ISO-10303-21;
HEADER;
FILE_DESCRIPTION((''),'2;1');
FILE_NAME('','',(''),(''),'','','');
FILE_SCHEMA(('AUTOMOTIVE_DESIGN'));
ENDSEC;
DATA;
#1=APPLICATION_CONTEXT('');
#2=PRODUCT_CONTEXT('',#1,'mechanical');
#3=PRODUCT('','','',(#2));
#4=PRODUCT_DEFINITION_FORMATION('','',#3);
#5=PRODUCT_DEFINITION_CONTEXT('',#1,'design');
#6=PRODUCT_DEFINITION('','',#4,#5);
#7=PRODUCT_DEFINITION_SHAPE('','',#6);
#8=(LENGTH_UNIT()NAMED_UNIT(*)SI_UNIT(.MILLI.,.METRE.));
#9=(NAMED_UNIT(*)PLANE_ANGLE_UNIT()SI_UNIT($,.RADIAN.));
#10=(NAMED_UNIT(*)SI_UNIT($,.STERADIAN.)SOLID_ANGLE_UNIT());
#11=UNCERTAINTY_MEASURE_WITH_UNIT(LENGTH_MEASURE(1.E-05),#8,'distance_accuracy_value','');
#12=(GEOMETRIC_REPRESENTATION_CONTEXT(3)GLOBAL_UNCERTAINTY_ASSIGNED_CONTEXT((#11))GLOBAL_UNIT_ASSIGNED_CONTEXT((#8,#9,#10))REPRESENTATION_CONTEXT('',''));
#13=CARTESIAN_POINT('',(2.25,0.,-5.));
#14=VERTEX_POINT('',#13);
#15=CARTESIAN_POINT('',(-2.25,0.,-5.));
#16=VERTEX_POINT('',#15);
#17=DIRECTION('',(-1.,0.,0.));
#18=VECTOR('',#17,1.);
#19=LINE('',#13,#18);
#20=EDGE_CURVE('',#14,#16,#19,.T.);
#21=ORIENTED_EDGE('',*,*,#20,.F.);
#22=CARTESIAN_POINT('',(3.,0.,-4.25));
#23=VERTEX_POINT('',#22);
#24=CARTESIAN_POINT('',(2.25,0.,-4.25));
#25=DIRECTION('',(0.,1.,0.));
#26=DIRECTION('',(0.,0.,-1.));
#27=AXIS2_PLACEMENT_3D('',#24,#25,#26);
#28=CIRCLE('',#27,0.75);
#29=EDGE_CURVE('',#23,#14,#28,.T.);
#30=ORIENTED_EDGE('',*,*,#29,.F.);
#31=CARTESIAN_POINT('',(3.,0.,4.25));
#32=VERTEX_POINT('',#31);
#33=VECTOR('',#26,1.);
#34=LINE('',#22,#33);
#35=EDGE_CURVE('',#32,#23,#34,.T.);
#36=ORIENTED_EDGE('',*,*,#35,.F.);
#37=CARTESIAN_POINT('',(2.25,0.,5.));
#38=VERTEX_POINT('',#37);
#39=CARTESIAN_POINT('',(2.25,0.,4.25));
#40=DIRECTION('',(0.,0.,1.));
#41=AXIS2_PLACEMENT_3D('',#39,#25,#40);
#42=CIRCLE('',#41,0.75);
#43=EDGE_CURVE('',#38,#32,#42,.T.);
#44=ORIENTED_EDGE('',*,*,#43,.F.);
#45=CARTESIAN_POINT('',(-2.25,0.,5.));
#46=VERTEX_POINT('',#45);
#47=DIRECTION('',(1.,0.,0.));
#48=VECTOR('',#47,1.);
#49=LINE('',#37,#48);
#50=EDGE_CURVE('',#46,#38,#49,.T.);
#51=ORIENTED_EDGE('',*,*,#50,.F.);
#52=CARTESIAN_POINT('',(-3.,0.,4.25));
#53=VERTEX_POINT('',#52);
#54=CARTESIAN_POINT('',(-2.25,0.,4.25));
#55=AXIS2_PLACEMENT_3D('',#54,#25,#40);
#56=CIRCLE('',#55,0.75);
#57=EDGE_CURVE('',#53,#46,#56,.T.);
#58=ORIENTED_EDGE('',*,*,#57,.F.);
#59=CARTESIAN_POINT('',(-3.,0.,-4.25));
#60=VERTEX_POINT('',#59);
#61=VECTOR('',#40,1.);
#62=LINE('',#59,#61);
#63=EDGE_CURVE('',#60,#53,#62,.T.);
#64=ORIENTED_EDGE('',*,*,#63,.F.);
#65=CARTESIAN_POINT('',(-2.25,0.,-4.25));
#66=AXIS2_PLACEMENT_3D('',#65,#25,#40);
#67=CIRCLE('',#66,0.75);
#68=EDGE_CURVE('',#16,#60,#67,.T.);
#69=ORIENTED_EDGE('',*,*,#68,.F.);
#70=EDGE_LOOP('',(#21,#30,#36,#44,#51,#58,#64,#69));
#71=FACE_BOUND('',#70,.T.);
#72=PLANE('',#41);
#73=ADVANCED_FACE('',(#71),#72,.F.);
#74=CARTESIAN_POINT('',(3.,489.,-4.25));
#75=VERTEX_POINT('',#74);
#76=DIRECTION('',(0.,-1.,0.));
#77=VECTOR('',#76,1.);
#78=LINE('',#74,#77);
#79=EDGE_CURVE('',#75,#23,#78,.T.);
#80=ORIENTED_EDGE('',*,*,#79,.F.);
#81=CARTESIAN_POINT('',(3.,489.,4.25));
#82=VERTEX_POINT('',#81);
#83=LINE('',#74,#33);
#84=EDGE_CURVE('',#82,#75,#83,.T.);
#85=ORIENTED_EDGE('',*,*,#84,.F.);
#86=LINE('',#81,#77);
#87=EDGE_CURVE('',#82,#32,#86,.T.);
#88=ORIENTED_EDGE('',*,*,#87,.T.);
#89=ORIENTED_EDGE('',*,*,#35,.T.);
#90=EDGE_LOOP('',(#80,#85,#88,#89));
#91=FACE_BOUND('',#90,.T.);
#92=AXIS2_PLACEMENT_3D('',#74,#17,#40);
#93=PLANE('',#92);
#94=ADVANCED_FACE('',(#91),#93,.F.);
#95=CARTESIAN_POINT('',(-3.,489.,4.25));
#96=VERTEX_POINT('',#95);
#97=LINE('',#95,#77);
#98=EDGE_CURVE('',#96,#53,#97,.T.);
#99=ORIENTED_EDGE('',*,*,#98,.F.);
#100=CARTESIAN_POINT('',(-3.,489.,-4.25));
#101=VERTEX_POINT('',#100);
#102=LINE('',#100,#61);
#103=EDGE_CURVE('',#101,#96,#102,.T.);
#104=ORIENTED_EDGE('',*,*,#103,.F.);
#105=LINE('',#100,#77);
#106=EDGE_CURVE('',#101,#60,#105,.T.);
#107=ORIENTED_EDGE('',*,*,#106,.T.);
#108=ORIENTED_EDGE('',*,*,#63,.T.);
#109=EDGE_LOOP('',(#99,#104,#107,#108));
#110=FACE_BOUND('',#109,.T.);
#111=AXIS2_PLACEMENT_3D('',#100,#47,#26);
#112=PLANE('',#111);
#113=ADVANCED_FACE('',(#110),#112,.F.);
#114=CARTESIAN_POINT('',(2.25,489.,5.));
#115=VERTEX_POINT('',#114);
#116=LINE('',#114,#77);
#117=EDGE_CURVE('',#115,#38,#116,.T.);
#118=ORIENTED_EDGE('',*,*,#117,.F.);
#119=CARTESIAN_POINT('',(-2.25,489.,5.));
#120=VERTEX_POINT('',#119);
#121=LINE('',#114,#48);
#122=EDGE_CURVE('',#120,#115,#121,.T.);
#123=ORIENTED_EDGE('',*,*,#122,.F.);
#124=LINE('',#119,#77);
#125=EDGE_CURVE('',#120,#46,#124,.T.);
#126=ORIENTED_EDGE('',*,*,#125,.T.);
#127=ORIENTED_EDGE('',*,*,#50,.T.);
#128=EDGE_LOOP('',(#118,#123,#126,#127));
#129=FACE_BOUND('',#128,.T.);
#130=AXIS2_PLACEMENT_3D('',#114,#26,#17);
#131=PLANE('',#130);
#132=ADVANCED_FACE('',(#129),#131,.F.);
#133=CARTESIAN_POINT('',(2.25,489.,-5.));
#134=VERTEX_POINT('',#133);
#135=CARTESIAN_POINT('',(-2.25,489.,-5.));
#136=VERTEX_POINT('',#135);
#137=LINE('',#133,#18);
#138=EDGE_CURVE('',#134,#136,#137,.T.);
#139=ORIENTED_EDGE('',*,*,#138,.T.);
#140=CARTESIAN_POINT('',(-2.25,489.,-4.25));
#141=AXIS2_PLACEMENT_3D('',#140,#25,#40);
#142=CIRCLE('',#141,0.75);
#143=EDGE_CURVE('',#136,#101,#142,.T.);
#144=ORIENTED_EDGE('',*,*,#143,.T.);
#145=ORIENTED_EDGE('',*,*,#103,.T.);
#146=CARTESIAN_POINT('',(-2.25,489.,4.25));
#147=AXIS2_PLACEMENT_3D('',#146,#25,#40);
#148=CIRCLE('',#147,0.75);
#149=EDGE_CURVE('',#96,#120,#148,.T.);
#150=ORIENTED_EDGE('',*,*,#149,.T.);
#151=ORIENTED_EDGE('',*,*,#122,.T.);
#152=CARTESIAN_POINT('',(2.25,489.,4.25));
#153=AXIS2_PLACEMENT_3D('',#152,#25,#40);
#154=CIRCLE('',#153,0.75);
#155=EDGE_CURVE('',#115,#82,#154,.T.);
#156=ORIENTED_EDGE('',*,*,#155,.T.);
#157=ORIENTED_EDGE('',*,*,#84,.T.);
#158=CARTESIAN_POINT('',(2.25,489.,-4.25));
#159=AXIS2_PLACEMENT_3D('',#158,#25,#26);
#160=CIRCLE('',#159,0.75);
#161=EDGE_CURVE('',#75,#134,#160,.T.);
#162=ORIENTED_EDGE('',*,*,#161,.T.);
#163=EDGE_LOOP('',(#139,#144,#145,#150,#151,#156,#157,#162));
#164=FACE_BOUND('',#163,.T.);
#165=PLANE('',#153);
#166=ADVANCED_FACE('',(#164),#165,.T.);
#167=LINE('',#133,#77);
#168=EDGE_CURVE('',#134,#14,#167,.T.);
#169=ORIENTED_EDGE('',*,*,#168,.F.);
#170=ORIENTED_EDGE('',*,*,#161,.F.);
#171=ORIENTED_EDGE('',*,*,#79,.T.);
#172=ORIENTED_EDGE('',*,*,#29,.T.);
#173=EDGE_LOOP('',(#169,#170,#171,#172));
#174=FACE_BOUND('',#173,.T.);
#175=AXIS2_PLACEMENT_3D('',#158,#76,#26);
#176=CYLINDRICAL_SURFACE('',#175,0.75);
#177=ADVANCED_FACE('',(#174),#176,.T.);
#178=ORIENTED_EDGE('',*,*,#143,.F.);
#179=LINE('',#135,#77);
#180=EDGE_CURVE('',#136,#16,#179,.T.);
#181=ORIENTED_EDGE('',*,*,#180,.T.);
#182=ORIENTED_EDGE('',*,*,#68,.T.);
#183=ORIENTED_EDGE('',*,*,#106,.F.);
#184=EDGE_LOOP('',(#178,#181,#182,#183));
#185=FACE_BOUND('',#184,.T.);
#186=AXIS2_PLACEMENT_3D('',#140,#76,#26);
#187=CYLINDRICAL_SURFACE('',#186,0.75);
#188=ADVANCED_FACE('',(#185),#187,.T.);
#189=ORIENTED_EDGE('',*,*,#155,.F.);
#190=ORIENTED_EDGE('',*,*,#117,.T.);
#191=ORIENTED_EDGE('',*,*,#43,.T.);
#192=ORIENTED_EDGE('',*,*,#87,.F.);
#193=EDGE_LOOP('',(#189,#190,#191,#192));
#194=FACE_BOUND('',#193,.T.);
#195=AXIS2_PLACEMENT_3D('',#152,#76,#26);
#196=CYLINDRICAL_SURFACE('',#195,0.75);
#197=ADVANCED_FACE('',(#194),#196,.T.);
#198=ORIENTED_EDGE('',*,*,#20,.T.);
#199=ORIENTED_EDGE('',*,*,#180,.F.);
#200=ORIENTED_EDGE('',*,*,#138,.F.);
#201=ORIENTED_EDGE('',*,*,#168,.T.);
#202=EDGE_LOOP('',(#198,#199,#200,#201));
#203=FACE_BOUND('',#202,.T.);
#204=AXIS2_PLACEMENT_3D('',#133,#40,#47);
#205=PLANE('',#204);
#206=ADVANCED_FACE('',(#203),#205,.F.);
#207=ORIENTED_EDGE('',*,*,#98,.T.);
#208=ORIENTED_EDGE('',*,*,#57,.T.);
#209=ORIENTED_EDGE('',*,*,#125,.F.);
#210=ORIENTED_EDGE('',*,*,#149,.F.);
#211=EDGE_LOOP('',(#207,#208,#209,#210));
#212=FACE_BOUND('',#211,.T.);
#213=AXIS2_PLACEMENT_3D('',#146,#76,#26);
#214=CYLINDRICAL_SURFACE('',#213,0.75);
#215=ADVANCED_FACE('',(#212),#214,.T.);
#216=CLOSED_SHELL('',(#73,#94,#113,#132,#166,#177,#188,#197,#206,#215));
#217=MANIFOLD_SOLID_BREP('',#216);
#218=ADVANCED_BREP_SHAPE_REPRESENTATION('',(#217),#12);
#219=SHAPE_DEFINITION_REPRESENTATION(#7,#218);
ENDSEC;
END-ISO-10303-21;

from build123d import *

# Parameters (mm, degrees)
BOSS_EXTRUDE1_DEPTH = 489


with BuildPart() as part:
    # Sketch1 → Boss-Extrude1 (new body)
    with BuildSketch(Plane(origin=(0, 0, 0), x_dir=(1, 0, 0), z_dir=(0, 1, 0))):
        with BuildLine():
            Line((2.25, 5), (-2.25, 5))
            ThreePointArc((-2.25, 5), (-2.780330086, 4.780330086), (-3, 4.25))
            Line((-3, 4.25), (-3, -4.25))
            ThreePointArc((-3, -4.25), (-2.780330086, -4.780330086), (-2.25, -5))
            Line((-2.25, -5), (2.25, -5))
            ThreePointArc((2.25, -5), (2.780330086, -4.780330086), (3, -4.25))
            Line((3, -4.25), (3, 4.25))
            ThreePointArc((3, 4.25), (2.780330086, 4.780330086), (2.25, 5))
        make_face()
    extrude(amount=BOSS_EXTRUDE1_DEPTH)


solid = part.part
